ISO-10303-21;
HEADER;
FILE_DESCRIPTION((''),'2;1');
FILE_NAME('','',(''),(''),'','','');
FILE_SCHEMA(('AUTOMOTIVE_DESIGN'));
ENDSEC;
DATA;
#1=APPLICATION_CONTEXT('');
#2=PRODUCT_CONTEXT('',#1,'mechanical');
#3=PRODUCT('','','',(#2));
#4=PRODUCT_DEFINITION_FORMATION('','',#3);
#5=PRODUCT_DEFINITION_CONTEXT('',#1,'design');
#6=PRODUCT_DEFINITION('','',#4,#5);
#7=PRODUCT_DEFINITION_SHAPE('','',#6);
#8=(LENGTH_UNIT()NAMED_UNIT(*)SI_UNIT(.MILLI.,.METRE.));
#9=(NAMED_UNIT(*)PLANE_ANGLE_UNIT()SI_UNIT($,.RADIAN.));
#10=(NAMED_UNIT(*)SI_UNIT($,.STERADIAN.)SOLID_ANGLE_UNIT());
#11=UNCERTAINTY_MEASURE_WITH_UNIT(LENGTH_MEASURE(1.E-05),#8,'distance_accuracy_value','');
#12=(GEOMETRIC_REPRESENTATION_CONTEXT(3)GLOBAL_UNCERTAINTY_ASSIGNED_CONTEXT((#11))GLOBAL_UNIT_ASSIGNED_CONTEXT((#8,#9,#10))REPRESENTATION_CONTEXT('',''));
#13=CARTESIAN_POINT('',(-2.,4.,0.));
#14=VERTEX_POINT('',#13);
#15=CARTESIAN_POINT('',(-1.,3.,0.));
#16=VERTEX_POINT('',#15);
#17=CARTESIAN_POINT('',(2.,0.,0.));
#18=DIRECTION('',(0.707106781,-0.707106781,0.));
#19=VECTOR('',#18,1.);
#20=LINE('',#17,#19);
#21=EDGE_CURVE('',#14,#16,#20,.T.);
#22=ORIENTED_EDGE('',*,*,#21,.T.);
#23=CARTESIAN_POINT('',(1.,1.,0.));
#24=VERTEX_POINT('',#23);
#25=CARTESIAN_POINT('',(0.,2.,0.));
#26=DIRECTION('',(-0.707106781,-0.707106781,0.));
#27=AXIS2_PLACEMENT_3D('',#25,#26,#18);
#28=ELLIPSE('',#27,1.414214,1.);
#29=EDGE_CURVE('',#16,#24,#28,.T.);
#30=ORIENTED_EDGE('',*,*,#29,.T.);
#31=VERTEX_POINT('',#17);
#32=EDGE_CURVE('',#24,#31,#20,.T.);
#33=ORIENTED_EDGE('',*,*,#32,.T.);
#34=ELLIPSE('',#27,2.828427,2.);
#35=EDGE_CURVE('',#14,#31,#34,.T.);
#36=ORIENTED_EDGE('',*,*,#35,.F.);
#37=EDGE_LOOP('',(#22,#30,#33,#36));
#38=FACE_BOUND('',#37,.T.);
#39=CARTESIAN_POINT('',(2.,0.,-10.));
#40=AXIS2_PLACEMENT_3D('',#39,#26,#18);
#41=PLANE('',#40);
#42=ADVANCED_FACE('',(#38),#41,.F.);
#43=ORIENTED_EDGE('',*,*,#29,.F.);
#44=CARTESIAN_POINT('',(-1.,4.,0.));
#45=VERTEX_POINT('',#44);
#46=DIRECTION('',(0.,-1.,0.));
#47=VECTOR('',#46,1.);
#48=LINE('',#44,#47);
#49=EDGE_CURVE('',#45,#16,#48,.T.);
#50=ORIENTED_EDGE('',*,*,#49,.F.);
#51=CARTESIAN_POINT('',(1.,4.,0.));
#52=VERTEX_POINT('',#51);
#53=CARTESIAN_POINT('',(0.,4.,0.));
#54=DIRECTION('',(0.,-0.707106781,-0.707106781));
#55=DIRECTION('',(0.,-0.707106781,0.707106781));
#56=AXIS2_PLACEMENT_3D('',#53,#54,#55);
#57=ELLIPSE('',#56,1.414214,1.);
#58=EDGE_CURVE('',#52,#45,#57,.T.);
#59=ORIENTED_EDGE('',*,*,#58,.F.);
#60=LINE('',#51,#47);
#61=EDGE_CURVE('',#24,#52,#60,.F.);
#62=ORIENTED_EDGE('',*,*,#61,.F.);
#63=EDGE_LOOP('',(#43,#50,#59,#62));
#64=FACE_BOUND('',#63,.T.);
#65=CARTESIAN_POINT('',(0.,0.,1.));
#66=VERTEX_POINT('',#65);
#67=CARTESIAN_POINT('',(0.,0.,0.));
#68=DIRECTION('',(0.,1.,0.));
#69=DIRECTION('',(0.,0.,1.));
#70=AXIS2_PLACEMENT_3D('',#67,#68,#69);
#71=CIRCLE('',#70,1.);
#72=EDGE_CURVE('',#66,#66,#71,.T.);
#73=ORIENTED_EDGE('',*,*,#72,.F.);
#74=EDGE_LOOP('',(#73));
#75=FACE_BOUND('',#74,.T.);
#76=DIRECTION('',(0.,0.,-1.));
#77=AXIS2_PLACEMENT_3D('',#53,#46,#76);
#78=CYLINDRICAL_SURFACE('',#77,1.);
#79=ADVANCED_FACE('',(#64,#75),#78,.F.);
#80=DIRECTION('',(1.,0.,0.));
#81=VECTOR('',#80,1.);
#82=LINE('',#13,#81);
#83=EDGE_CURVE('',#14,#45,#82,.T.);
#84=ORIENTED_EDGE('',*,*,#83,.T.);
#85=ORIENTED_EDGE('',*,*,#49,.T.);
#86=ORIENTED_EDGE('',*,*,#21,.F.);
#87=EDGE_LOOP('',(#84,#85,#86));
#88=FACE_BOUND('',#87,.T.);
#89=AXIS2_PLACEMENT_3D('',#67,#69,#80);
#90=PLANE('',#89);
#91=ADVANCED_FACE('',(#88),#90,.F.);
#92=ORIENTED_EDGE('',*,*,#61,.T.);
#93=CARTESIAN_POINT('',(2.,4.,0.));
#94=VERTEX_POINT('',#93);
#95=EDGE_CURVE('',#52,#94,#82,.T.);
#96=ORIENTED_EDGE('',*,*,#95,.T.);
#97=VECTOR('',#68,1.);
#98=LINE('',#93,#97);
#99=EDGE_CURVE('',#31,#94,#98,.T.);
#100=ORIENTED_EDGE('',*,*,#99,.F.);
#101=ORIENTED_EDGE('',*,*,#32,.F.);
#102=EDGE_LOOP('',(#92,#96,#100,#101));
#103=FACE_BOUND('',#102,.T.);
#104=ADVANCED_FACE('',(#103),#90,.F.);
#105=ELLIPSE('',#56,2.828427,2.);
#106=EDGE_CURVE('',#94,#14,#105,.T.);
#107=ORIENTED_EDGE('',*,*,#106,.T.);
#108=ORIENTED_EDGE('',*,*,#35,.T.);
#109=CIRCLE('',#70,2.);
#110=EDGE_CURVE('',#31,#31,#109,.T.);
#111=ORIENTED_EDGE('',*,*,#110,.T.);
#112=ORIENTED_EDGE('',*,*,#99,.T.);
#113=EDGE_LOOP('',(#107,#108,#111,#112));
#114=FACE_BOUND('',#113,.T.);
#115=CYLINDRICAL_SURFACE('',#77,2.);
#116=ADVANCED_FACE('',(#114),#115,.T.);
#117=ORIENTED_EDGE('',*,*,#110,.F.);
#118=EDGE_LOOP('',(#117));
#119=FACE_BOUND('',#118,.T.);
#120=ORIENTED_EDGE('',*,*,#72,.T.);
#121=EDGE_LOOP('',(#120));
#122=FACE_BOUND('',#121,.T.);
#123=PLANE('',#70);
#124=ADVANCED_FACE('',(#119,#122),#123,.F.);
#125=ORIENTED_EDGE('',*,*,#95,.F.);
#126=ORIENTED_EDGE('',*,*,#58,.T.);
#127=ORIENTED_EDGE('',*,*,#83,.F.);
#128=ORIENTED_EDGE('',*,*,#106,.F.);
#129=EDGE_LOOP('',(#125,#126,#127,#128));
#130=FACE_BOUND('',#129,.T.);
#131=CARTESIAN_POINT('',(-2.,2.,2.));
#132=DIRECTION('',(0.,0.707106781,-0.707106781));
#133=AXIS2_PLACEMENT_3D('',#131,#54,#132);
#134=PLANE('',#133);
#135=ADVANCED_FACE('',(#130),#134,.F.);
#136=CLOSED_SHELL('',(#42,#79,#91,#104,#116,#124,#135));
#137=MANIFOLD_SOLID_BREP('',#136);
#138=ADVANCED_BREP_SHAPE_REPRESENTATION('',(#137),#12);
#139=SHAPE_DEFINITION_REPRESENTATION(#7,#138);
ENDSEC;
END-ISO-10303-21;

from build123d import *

# Parameters (mm, degrees)
SKETCH1_R           = 2
SKETCH1_R_2         = 1
BOSS_EXTRUDE1_DEPTH = 4
CUT_EXTRUDE1_DEPTH  = 2
CUT_EXTRUDE2_DEPTH  = 10


with BuildPart() as part:
    # Sketch1 → Boss-Extrude1 (new body)
    with BuildSketch(Plane(origin=(0, 0, 0), x_dir=(1, 0, 0), z_dir=(0, 1, 0))):
        Circle(SKETCH1_R)
        Circle(SKETCH1_R_2, mode=Mode.SUBTRACT)
    extrude(amount=BOSS_EXTRUDE1_DEPTH)

    # Sketch2 → Cut-Extrude1 (cut, symmetric)
    with BuildSketch(Plane(origin=(0, 0, 0), x_dir=(0, 0, -1), z_dir=(1, 0, 0))):
        Polygon((-2, 4), (-2, 2), (0, 4), align=None)
        Polygon((0, 4), (-2, 4), (-2, 2), align=None)
    extrude(amount=CUT_EXTRUDE1_DEPTH, both=True, mode=Mode.SUBTRACT)

    # Sketch3 → Cut-Extrude2 (cut)
    with BuildSketch(Plane.XY):
        Polygon((2, 0), (-2, 4), (2, 4), align=None)
    extrude(amount=-CUT_EXTRUDE2_DEPTH, mode=Mode.SUBTRACT)


solid = part.part
